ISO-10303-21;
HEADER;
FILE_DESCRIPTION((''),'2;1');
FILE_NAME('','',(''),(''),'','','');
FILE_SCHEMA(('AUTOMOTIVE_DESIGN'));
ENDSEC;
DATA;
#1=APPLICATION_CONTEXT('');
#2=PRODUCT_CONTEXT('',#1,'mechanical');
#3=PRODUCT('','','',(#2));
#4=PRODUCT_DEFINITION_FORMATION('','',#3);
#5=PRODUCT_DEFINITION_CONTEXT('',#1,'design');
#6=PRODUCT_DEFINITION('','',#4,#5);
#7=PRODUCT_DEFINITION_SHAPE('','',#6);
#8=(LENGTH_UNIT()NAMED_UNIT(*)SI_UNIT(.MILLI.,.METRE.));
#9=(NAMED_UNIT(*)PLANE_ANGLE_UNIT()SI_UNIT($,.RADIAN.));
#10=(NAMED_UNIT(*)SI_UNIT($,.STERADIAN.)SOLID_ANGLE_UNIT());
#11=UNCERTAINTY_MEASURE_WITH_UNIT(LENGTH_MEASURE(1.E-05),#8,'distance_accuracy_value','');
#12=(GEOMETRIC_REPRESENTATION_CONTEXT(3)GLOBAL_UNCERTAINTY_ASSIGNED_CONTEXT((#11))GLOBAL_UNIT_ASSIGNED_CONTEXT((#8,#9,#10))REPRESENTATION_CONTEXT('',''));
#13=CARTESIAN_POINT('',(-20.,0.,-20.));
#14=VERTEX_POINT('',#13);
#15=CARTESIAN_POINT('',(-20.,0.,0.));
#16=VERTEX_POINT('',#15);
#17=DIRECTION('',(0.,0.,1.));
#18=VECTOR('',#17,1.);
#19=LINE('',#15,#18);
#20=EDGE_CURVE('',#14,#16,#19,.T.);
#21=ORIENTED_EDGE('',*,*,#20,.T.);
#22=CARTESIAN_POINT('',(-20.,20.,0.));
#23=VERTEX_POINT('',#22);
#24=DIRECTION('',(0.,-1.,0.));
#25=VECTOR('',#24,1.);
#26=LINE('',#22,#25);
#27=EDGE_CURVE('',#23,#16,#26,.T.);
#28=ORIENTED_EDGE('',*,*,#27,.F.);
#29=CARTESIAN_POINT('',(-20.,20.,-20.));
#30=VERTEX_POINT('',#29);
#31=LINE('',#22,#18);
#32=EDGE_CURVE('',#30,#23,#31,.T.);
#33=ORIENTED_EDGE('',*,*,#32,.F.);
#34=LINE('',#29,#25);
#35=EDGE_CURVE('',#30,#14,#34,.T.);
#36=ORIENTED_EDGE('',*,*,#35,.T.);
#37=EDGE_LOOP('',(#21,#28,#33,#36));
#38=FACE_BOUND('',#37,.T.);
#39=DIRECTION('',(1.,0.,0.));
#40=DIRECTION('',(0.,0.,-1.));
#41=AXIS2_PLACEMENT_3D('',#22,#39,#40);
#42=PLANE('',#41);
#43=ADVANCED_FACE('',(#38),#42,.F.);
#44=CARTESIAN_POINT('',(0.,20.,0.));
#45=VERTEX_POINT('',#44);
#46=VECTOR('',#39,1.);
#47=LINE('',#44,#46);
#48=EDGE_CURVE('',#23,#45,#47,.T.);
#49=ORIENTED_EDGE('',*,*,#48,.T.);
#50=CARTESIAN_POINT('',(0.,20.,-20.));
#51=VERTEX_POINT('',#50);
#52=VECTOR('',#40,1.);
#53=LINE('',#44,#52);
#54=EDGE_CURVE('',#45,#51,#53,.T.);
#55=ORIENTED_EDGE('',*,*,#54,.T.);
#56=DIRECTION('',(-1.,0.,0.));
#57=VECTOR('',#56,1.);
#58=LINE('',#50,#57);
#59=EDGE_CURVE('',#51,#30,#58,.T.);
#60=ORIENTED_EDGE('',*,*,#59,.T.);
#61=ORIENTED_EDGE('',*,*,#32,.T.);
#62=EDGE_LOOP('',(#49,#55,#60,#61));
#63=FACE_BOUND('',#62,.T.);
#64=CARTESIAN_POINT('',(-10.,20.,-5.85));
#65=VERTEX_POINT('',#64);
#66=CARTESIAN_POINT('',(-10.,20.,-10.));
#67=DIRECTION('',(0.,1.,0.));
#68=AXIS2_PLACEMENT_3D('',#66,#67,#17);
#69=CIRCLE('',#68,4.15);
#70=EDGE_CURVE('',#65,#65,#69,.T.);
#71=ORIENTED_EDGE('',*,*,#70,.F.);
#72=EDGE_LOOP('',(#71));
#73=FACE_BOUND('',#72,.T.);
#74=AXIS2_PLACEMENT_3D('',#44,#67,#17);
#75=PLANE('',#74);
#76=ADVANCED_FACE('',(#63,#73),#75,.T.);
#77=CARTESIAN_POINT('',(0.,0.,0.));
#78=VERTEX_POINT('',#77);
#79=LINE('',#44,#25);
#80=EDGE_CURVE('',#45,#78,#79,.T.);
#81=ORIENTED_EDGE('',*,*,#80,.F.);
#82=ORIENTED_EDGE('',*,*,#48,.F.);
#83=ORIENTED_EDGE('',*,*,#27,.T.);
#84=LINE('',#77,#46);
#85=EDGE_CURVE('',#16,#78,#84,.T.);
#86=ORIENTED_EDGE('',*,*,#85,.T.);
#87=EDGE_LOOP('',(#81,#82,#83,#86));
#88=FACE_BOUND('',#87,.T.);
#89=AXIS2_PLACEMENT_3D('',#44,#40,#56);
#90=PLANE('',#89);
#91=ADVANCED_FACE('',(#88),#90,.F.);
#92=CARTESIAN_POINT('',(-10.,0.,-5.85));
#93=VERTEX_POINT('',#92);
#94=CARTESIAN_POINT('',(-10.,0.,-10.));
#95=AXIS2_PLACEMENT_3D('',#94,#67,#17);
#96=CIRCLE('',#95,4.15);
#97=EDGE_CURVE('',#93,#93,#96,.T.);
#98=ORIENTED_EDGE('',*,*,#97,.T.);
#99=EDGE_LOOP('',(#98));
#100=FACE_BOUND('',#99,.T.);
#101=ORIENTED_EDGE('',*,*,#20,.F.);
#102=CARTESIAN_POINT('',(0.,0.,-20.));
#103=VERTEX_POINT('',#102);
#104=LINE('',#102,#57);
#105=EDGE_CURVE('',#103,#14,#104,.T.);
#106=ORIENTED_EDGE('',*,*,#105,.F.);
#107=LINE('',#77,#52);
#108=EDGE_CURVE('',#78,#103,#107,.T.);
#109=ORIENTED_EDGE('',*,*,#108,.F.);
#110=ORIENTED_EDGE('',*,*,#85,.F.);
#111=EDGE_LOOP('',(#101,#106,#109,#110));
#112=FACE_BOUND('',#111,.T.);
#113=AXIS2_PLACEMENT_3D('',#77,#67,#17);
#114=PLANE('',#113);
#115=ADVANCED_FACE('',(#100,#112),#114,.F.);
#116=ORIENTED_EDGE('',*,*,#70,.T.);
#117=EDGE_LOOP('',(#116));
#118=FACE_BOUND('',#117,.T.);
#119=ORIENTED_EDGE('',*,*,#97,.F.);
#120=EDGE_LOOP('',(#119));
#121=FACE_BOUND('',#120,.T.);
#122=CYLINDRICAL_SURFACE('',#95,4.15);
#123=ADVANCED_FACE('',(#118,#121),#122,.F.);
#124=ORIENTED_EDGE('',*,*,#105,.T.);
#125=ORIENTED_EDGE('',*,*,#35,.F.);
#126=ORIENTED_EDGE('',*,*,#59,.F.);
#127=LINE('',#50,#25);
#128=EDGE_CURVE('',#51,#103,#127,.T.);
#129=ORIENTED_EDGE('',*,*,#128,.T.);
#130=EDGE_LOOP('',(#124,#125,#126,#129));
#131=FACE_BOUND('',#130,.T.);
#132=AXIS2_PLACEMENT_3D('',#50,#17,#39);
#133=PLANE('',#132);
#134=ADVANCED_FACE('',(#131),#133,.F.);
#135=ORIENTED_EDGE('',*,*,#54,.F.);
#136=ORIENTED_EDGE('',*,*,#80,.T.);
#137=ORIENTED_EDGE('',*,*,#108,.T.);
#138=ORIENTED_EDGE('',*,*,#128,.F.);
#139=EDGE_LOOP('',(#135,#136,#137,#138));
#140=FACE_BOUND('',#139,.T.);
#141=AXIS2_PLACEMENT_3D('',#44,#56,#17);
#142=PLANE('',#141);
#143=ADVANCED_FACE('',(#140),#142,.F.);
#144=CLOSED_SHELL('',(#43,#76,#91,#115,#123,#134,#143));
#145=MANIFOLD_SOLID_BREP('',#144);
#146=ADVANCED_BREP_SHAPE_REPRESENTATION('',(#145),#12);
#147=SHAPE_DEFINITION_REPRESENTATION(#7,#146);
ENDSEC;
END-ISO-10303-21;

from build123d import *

# Parameters (mm, degrees)
SKETCH1_W           = 20
SKETCH1_H           = 20
BOSS_EXTRUDE1_DEPTH = 20
SKETCH2_R           = 4.15
CUT_EXTRUDE1_DEPTH  = 21


with BuildPart() as part:
    # Sketch1 → Boss-Extrude1 (new body)
    with BuildSketch(Plane(origin=(0, 0, 0), x_dir=(1, 0, 0), z_dir=(0, 1, 0))):
        with Locations((-10, 10)):
            Rectangle(SKETCH1_W, SKETCH1_H)
    extrude(amount=BOSS_EXTRUDE1_DEPTH)

    # Sketch2 → Cut-Extrude1 (cut, through all)
    with BuildSketch(Plane(origin=(0, 20, 0), x_dir=(1, 0, 0), z_dir=(0, 1, 0))):
        with Locations((-10, 10)):
            Circle(SKETCH2_R)
    extrude(amount=-CUT_EXTRUDE1_DEPTH, mode=Mode.SUBTRACT)


solid = part.part
